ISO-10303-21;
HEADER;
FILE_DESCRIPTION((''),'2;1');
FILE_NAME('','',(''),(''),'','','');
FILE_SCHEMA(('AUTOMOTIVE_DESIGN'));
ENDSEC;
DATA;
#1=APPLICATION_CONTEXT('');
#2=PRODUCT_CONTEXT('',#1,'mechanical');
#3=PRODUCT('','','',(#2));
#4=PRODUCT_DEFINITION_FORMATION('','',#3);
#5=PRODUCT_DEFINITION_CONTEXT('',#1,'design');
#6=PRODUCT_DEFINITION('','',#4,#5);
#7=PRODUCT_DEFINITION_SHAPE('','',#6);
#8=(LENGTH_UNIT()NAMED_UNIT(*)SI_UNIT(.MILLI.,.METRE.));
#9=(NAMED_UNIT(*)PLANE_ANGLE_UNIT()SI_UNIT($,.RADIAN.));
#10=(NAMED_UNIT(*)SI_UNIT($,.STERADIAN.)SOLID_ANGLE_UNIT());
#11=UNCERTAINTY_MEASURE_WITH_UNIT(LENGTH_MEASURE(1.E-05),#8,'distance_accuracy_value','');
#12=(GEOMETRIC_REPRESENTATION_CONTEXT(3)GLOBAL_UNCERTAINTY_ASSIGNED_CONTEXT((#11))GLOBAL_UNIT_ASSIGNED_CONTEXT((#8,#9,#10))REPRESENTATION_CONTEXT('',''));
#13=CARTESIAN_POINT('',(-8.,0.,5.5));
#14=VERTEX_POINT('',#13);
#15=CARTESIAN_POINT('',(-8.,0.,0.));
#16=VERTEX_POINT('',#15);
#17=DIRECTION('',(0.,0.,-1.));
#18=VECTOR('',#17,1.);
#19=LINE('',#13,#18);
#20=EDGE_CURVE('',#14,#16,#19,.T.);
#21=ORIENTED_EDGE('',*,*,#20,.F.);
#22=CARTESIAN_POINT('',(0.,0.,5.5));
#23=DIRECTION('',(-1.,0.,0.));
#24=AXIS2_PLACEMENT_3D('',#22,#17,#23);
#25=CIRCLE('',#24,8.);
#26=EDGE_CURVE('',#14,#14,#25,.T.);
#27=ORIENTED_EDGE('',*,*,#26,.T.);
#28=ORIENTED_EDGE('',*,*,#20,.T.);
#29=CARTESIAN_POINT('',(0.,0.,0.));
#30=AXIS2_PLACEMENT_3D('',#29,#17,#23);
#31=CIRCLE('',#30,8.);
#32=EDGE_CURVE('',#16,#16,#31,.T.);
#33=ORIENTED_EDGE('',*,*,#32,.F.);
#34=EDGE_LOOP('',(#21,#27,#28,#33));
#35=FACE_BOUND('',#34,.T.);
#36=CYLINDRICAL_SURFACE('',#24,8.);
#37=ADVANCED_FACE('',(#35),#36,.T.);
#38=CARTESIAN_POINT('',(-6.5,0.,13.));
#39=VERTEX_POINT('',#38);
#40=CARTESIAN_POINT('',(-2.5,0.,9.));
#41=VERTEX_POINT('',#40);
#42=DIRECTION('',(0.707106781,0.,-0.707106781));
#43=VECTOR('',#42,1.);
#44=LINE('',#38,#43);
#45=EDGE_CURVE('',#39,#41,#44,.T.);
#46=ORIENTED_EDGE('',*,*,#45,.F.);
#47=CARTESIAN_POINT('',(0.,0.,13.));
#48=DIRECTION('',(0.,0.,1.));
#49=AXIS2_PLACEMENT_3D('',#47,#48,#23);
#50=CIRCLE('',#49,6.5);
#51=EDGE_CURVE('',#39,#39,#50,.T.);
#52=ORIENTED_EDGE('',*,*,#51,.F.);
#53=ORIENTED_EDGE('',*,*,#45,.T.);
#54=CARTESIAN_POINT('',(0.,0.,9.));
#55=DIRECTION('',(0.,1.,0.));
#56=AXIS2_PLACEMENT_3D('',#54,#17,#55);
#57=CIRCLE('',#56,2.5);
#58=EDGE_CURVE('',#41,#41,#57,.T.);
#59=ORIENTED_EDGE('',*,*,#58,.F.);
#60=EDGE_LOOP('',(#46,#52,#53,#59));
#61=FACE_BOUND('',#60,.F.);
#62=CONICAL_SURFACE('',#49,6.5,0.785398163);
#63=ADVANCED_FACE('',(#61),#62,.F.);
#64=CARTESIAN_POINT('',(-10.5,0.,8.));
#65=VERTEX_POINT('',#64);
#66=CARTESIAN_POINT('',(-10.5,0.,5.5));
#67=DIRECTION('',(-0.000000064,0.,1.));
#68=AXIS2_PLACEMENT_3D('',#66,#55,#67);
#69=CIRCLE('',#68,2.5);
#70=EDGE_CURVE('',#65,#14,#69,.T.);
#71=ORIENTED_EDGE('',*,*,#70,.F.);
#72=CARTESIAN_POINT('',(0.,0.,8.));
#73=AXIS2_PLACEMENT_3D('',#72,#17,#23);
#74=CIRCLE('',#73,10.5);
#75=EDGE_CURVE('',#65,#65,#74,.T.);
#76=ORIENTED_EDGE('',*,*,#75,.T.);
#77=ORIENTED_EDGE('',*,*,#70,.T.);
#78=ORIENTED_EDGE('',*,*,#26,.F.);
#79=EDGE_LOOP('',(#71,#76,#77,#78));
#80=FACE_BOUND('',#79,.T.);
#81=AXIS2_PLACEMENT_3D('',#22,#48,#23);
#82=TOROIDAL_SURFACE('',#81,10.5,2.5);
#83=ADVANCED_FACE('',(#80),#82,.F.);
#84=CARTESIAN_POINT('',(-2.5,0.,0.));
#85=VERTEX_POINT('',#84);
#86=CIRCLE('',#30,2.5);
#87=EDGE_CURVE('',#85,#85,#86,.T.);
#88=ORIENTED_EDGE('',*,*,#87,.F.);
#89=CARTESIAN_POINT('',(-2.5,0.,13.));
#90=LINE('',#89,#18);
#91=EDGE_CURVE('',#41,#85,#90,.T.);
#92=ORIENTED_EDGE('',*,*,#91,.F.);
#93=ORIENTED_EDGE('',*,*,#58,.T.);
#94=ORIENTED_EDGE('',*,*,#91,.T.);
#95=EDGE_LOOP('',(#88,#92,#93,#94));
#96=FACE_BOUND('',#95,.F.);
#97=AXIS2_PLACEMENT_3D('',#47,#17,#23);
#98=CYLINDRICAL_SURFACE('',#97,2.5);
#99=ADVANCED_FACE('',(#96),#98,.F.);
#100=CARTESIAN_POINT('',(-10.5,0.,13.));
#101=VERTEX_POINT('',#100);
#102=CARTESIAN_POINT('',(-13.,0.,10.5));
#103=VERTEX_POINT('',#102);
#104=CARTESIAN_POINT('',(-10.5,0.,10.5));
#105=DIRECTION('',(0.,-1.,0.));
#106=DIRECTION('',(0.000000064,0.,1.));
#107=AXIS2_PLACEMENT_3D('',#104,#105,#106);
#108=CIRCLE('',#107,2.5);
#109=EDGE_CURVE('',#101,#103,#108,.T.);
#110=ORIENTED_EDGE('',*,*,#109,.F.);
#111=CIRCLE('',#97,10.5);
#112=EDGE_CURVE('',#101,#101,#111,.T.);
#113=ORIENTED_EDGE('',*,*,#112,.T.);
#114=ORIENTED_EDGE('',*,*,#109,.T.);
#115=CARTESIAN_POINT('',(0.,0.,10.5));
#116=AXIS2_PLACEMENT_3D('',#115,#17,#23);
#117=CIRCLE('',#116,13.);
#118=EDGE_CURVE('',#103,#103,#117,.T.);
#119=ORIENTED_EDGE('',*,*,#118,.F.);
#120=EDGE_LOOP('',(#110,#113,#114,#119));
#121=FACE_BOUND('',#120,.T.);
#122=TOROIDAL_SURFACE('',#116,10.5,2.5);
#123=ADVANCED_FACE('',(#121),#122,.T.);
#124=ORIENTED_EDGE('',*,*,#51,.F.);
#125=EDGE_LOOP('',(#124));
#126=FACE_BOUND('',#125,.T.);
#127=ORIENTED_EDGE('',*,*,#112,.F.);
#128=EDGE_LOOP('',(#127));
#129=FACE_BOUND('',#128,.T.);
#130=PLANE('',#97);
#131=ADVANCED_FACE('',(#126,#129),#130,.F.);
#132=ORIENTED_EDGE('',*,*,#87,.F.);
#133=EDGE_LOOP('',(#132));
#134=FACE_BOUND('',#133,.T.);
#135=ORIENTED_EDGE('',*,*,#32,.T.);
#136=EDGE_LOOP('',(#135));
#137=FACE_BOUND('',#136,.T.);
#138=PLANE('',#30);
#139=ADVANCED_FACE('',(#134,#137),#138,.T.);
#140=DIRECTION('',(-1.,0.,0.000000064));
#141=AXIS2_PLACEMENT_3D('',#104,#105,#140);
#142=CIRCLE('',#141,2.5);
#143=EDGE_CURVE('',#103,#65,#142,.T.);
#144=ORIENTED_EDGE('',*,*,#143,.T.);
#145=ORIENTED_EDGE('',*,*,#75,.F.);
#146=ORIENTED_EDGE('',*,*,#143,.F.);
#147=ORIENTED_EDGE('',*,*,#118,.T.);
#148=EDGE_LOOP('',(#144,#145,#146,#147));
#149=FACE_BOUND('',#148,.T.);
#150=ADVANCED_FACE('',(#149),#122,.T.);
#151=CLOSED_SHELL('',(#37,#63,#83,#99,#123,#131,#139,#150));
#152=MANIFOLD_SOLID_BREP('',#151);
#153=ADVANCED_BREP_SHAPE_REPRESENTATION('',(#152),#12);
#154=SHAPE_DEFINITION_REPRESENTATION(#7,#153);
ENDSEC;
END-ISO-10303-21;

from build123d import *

# Parameters (mm, degrees)
F3_D           = 5
F3_CSINK_D     = 13
F3_CSINK_ANGLE = 90


with BuildPart() as f1:
    # F0 (on Front) → F1 (revolve)
    with BuildSketch(Plane.XZ):
        with BuildLine():
            Line((-8, 0), (0, 0))
            Line((0, 0), (0, 13))
            Line((0, 13), (-10.5, 13))
            ThreePointArc((-10.5, 13), (-12.267767, 12.267767), (-13, 10.5))
            ThreePointArc((-13, 10.5), (-12.267767, 8.732233), (-10.5, 8))
            ThreePointArc((-10.5, 8), (-8.732233, 7.267767), (-8, 5.5))
            Line((-8, 5.5), (-8, 0))
        make_face()
    revolve(axis=Axis((0, 0, 6.5), (0, 0, -1)))

    # F3 (through all)
    with Locations(Plane.XY.offset(13)):
        with Locations((0, 0)):
            CounterSinkHole(F3_D / 2, F3_CSINK_D / 2, counter_sink_angle=F3_CSINK_ANGLE)


solid = f1.part
